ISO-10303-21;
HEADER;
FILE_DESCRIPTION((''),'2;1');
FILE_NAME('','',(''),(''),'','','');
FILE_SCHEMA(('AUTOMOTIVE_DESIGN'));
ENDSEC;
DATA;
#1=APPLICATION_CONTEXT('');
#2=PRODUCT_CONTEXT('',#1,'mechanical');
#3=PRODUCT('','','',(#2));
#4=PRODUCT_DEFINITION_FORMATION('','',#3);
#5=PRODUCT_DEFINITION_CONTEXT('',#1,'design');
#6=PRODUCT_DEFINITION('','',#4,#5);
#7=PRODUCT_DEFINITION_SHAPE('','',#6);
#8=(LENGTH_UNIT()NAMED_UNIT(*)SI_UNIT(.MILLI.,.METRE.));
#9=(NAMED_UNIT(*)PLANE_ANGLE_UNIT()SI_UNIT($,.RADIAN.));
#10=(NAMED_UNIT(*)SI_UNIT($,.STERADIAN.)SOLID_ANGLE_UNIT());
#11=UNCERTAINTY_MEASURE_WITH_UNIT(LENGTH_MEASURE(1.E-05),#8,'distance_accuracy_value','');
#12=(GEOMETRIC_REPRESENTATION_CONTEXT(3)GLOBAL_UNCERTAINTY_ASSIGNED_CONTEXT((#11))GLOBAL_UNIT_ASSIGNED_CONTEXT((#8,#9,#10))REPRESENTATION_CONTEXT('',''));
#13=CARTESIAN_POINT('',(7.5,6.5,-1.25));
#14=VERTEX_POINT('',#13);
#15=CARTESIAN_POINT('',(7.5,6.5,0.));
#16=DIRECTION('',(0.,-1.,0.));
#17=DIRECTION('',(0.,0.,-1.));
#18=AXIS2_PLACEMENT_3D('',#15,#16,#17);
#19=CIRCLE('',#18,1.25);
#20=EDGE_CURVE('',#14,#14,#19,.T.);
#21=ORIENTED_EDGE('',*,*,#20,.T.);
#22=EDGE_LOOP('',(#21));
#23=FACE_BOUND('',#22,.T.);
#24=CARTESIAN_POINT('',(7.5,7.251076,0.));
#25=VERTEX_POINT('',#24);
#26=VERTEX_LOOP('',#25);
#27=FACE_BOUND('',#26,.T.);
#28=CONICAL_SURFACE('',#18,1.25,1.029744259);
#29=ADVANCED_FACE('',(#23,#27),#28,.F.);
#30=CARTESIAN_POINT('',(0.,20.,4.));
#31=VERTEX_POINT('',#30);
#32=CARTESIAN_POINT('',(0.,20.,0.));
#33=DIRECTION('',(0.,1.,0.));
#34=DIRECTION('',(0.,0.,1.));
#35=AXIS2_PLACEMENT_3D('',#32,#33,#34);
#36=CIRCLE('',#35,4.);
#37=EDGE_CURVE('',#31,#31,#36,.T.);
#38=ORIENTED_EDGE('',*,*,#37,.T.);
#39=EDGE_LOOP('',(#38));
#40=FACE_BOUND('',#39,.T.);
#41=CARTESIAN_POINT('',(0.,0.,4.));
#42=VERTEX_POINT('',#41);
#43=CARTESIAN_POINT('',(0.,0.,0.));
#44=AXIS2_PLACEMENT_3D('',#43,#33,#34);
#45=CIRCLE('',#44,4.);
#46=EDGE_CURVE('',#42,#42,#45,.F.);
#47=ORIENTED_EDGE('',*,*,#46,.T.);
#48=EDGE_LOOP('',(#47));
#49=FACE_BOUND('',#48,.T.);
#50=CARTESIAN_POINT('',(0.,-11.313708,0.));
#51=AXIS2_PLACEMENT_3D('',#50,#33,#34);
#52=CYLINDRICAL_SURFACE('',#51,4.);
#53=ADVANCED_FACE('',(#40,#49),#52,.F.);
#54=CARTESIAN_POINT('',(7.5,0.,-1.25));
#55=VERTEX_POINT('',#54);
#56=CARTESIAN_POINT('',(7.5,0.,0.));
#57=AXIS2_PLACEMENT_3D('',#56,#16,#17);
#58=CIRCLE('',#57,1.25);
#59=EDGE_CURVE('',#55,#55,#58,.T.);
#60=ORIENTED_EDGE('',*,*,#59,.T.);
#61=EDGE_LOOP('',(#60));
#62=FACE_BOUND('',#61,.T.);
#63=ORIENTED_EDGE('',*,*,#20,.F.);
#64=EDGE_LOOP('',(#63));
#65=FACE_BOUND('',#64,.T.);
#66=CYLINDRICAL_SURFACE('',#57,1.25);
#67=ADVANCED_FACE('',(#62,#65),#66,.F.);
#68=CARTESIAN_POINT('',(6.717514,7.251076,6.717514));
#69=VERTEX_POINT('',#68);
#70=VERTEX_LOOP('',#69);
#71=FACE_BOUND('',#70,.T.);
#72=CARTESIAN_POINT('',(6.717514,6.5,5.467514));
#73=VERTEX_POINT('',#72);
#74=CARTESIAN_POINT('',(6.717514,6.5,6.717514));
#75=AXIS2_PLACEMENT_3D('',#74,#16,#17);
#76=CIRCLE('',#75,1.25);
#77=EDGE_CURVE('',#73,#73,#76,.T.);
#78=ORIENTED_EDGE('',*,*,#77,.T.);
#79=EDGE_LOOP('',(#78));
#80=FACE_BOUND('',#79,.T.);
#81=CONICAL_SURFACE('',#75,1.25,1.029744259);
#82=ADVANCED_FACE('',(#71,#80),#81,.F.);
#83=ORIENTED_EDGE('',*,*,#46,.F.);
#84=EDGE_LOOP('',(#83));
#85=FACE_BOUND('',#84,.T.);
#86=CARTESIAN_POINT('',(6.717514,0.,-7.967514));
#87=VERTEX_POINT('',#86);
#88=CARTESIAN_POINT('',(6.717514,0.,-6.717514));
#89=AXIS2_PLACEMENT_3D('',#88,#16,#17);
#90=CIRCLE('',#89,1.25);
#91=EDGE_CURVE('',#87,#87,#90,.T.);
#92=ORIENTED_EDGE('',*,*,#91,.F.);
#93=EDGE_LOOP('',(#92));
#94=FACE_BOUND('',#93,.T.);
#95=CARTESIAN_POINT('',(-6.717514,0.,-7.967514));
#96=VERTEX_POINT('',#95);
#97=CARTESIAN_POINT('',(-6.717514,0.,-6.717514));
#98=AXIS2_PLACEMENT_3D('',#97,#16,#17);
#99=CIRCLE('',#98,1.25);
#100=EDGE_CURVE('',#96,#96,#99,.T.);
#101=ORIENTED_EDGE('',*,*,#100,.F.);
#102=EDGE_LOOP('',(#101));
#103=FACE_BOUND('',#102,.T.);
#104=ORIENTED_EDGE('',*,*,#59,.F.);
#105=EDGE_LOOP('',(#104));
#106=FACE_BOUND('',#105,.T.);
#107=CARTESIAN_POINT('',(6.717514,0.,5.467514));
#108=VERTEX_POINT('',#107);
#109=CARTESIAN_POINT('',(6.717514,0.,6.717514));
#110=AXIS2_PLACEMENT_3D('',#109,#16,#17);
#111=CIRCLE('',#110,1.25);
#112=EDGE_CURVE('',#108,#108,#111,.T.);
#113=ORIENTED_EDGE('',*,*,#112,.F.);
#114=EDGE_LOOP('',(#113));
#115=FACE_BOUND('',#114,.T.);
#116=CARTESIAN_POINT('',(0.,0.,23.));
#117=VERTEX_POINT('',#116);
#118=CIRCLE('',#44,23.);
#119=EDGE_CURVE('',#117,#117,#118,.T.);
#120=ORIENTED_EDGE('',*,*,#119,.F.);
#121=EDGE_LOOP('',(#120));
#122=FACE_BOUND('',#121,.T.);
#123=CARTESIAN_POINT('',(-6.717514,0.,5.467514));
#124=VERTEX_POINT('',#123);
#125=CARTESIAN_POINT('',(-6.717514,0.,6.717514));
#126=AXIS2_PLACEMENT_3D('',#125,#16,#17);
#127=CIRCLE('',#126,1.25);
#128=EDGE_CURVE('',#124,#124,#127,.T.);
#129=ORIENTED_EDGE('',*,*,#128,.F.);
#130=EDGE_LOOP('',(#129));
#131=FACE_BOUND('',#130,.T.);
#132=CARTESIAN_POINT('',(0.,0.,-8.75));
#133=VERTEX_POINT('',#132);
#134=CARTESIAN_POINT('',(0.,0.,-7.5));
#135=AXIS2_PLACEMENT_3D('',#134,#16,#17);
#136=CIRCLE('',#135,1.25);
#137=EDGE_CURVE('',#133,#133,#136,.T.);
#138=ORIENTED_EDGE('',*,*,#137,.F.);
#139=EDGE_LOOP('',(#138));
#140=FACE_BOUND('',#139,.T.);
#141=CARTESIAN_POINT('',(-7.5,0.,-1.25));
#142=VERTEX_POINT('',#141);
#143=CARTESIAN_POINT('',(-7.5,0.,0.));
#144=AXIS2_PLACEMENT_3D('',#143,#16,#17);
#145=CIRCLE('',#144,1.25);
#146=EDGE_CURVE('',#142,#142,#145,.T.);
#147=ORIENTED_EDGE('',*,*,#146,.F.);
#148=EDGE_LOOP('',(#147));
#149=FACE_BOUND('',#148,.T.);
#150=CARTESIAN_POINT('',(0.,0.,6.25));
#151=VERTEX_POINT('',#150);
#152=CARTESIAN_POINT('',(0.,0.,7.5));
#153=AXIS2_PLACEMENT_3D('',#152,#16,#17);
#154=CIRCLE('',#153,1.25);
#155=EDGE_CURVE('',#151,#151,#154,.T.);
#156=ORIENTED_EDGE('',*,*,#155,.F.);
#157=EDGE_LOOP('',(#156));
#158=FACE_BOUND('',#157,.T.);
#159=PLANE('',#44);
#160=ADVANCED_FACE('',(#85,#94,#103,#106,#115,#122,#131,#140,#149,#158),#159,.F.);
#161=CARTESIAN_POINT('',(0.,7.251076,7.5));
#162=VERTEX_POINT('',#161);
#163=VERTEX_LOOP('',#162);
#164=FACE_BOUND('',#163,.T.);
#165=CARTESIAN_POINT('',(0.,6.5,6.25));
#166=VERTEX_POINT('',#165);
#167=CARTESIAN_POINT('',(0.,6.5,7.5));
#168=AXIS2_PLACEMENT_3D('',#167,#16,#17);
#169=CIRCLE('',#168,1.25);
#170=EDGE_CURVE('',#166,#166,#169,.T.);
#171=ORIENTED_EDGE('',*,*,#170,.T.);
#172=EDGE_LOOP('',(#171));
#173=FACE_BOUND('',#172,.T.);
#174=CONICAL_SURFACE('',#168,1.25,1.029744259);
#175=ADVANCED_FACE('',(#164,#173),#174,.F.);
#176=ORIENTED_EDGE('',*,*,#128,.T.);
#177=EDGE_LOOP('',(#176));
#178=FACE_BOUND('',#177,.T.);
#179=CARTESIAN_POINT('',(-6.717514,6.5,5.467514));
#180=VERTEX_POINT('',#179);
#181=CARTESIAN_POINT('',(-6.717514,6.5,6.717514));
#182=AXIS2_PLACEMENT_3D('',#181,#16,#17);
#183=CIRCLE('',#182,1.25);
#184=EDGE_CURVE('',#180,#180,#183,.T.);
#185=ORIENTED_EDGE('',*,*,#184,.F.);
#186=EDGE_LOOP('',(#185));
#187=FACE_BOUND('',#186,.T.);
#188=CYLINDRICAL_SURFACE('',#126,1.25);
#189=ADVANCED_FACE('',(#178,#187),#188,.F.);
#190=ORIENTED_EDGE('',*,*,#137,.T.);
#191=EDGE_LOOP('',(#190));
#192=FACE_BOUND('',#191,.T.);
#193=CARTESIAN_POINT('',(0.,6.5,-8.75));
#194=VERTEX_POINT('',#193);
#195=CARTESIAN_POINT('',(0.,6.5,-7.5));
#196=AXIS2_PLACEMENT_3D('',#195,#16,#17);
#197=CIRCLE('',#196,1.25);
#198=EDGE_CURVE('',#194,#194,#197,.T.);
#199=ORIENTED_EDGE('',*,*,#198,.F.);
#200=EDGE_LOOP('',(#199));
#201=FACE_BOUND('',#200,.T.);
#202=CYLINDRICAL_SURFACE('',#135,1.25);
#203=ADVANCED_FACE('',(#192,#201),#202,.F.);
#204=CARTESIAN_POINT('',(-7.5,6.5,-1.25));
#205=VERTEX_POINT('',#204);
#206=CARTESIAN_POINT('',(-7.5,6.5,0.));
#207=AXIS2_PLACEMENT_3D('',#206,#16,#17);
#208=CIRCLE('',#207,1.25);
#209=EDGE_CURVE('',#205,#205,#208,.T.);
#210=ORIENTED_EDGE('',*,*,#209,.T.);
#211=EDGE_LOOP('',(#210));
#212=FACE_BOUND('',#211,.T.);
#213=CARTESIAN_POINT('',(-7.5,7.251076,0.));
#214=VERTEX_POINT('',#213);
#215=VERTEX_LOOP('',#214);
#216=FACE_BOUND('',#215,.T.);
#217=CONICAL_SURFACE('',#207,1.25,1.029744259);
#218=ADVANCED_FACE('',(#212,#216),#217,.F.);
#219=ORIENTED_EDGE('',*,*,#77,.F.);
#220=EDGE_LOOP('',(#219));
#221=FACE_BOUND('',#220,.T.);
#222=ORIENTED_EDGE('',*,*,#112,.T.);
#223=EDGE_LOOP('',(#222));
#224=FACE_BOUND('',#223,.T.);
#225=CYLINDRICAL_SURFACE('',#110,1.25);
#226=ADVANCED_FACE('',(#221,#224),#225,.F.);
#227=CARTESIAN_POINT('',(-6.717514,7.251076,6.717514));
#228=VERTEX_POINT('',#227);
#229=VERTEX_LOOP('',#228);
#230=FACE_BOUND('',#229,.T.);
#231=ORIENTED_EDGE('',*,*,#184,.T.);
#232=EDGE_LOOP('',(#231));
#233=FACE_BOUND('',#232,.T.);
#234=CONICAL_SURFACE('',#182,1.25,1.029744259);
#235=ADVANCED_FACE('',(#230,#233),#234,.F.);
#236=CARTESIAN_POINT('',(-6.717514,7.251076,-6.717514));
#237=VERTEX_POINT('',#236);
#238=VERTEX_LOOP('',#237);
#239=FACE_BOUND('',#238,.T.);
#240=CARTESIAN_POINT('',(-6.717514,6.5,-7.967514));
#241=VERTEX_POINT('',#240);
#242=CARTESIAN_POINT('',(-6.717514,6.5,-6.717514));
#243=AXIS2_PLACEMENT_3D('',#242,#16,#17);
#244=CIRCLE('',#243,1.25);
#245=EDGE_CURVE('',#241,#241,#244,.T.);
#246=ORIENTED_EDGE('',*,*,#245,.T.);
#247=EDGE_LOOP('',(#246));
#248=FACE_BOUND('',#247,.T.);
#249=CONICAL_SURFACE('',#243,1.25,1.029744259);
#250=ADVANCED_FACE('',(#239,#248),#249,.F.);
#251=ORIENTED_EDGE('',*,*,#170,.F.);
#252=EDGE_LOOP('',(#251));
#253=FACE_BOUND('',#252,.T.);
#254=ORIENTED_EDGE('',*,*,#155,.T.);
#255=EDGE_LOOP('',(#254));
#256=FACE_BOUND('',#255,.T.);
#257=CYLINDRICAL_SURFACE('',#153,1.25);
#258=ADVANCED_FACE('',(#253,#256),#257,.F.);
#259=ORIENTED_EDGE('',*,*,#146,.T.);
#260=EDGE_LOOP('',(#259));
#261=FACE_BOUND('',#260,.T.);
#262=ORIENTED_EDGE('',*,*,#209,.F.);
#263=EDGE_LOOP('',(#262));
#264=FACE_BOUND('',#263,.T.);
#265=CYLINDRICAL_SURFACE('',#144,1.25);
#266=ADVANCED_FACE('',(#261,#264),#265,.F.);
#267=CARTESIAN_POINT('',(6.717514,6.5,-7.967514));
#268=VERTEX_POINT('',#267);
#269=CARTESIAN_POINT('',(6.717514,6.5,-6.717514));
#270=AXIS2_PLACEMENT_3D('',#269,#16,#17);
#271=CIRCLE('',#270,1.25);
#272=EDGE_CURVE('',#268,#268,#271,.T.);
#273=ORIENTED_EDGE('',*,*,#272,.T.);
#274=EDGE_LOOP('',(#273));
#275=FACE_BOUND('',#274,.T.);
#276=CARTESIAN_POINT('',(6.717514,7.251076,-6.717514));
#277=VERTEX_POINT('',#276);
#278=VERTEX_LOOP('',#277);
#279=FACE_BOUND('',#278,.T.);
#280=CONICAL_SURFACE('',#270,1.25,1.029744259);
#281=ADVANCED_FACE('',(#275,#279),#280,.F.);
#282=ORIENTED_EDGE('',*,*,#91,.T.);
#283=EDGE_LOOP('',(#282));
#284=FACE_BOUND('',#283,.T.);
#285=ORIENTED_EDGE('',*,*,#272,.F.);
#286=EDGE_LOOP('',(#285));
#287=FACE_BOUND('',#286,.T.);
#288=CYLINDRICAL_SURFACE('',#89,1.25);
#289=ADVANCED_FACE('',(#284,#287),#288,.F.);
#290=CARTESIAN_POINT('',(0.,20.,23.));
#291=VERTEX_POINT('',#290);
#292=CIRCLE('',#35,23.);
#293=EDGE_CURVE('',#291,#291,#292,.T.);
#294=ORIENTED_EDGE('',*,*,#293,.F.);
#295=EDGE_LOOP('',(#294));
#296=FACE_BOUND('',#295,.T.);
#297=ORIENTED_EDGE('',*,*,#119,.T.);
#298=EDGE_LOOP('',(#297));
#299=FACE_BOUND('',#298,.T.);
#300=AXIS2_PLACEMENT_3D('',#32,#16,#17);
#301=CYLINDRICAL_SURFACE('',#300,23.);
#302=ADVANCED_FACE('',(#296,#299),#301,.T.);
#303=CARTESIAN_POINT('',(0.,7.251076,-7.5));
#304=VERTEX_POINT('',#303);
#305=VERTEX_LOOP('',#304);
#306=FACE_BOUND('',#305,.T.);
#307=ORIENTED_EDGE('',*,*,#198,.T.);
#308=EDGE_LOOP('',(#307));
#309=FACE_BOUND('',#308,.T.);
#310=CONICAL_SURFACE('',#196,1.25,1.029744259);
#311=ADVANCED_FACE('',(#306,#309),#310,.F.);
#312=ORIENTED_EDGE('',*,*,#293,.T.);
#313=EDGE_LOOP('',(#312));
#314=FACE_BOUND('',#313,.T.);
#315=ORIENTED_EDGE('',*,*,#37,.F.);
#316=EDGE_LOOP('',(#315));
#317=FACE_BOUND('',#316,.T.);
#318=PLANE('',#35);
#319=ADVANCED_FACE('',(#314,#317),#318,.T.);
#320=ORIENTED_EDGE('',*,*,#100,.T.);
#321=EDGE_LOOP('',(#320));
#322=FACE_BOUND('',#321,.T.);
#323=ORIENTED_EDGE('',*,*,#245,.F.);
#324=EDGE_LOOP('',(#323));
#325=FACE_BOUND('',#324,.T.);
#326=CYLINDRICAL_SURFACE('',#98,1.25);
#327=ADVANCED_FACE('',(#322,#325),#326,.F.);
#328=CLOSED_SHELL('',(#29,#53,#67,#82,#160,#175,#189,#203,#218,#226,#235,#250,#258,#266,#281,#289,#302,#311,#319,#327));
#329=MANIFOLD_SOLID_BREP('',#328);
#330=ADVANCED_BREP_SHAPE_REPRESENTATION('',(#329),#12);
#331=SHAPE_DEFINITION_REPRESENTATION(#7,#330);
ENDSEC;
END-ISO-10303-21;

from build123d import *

# Parameters (mm, degrees)
SKETCH1_R                 = 23
BOSS_EXTRUDE1_DEPTH       = 20
SKETCH2_R                 = 4
CUT_EXTRUDE1_DEPTH        = 20
M3X0_5_TAPPED_HOLE1_D     = 2.5
M3X0_5_TAPPED_HOLE1_DEPTH = 6.5
M3X0_5_TAPPED_HOLE1_TIP   = 0.751075774


with BuildPart() as part:
    # Sketch1 → Boss-Extrude1 (new body)
    with BuildSketch(Plane(origin=(0, 0, 0), x_dir=(1, 0, 0), z_dir=(0, 1, 0))):
        Circle(SKETCH1_R)
    extrude(amount=BOSS_EXTRUDE1_DEPTH)

    # Sketch2 → Cut-Extrude1 (cut)
    with BuildSketch(Plane(origin=(0, 20, 0), x_dir=(1, 0, 0), z_dir=(0, 1, 0))):
        Circle(SKETCH2_R)
    extrude(amount=-CUT_EXTRUDE1_DEPTH, mode=Mode.SUBTRACT)

    # M3x0.5 Tapped Hole1
    with Locations(Plane(origin=(0, 0, 0), x_dir=(-1, 0, 0), z_dir=(0, -1, 0))):
        with Locations((6.717514421, 6.717514421), (-7.5, 0), (7.5, 0), (0, 7.5), (0, -7.5), (-6.717514421, 6.717514421), (-6.717514421, -6.717514421), (6.717514421, -6.717514421)):
            Hole(M3X0_5_TAPPED_HOLE1_D / 2, depth=M3X0_5_TAPPED_HOLE1_DEPTH)
            with Locations((0, 0, -(M3X0_5_TAPPED_HOLE1_DEPTH + M3X0_5_TAPPED_HOLE1_TIP / 2))):  # 118° drill point
                Cone(0, M3X0_5_TAPPED_HOLE1_D / 2, M3X0_5_TAPPED_HOLE1_TIP, mode=Mode.SUBTRACT)


solid = part.part
